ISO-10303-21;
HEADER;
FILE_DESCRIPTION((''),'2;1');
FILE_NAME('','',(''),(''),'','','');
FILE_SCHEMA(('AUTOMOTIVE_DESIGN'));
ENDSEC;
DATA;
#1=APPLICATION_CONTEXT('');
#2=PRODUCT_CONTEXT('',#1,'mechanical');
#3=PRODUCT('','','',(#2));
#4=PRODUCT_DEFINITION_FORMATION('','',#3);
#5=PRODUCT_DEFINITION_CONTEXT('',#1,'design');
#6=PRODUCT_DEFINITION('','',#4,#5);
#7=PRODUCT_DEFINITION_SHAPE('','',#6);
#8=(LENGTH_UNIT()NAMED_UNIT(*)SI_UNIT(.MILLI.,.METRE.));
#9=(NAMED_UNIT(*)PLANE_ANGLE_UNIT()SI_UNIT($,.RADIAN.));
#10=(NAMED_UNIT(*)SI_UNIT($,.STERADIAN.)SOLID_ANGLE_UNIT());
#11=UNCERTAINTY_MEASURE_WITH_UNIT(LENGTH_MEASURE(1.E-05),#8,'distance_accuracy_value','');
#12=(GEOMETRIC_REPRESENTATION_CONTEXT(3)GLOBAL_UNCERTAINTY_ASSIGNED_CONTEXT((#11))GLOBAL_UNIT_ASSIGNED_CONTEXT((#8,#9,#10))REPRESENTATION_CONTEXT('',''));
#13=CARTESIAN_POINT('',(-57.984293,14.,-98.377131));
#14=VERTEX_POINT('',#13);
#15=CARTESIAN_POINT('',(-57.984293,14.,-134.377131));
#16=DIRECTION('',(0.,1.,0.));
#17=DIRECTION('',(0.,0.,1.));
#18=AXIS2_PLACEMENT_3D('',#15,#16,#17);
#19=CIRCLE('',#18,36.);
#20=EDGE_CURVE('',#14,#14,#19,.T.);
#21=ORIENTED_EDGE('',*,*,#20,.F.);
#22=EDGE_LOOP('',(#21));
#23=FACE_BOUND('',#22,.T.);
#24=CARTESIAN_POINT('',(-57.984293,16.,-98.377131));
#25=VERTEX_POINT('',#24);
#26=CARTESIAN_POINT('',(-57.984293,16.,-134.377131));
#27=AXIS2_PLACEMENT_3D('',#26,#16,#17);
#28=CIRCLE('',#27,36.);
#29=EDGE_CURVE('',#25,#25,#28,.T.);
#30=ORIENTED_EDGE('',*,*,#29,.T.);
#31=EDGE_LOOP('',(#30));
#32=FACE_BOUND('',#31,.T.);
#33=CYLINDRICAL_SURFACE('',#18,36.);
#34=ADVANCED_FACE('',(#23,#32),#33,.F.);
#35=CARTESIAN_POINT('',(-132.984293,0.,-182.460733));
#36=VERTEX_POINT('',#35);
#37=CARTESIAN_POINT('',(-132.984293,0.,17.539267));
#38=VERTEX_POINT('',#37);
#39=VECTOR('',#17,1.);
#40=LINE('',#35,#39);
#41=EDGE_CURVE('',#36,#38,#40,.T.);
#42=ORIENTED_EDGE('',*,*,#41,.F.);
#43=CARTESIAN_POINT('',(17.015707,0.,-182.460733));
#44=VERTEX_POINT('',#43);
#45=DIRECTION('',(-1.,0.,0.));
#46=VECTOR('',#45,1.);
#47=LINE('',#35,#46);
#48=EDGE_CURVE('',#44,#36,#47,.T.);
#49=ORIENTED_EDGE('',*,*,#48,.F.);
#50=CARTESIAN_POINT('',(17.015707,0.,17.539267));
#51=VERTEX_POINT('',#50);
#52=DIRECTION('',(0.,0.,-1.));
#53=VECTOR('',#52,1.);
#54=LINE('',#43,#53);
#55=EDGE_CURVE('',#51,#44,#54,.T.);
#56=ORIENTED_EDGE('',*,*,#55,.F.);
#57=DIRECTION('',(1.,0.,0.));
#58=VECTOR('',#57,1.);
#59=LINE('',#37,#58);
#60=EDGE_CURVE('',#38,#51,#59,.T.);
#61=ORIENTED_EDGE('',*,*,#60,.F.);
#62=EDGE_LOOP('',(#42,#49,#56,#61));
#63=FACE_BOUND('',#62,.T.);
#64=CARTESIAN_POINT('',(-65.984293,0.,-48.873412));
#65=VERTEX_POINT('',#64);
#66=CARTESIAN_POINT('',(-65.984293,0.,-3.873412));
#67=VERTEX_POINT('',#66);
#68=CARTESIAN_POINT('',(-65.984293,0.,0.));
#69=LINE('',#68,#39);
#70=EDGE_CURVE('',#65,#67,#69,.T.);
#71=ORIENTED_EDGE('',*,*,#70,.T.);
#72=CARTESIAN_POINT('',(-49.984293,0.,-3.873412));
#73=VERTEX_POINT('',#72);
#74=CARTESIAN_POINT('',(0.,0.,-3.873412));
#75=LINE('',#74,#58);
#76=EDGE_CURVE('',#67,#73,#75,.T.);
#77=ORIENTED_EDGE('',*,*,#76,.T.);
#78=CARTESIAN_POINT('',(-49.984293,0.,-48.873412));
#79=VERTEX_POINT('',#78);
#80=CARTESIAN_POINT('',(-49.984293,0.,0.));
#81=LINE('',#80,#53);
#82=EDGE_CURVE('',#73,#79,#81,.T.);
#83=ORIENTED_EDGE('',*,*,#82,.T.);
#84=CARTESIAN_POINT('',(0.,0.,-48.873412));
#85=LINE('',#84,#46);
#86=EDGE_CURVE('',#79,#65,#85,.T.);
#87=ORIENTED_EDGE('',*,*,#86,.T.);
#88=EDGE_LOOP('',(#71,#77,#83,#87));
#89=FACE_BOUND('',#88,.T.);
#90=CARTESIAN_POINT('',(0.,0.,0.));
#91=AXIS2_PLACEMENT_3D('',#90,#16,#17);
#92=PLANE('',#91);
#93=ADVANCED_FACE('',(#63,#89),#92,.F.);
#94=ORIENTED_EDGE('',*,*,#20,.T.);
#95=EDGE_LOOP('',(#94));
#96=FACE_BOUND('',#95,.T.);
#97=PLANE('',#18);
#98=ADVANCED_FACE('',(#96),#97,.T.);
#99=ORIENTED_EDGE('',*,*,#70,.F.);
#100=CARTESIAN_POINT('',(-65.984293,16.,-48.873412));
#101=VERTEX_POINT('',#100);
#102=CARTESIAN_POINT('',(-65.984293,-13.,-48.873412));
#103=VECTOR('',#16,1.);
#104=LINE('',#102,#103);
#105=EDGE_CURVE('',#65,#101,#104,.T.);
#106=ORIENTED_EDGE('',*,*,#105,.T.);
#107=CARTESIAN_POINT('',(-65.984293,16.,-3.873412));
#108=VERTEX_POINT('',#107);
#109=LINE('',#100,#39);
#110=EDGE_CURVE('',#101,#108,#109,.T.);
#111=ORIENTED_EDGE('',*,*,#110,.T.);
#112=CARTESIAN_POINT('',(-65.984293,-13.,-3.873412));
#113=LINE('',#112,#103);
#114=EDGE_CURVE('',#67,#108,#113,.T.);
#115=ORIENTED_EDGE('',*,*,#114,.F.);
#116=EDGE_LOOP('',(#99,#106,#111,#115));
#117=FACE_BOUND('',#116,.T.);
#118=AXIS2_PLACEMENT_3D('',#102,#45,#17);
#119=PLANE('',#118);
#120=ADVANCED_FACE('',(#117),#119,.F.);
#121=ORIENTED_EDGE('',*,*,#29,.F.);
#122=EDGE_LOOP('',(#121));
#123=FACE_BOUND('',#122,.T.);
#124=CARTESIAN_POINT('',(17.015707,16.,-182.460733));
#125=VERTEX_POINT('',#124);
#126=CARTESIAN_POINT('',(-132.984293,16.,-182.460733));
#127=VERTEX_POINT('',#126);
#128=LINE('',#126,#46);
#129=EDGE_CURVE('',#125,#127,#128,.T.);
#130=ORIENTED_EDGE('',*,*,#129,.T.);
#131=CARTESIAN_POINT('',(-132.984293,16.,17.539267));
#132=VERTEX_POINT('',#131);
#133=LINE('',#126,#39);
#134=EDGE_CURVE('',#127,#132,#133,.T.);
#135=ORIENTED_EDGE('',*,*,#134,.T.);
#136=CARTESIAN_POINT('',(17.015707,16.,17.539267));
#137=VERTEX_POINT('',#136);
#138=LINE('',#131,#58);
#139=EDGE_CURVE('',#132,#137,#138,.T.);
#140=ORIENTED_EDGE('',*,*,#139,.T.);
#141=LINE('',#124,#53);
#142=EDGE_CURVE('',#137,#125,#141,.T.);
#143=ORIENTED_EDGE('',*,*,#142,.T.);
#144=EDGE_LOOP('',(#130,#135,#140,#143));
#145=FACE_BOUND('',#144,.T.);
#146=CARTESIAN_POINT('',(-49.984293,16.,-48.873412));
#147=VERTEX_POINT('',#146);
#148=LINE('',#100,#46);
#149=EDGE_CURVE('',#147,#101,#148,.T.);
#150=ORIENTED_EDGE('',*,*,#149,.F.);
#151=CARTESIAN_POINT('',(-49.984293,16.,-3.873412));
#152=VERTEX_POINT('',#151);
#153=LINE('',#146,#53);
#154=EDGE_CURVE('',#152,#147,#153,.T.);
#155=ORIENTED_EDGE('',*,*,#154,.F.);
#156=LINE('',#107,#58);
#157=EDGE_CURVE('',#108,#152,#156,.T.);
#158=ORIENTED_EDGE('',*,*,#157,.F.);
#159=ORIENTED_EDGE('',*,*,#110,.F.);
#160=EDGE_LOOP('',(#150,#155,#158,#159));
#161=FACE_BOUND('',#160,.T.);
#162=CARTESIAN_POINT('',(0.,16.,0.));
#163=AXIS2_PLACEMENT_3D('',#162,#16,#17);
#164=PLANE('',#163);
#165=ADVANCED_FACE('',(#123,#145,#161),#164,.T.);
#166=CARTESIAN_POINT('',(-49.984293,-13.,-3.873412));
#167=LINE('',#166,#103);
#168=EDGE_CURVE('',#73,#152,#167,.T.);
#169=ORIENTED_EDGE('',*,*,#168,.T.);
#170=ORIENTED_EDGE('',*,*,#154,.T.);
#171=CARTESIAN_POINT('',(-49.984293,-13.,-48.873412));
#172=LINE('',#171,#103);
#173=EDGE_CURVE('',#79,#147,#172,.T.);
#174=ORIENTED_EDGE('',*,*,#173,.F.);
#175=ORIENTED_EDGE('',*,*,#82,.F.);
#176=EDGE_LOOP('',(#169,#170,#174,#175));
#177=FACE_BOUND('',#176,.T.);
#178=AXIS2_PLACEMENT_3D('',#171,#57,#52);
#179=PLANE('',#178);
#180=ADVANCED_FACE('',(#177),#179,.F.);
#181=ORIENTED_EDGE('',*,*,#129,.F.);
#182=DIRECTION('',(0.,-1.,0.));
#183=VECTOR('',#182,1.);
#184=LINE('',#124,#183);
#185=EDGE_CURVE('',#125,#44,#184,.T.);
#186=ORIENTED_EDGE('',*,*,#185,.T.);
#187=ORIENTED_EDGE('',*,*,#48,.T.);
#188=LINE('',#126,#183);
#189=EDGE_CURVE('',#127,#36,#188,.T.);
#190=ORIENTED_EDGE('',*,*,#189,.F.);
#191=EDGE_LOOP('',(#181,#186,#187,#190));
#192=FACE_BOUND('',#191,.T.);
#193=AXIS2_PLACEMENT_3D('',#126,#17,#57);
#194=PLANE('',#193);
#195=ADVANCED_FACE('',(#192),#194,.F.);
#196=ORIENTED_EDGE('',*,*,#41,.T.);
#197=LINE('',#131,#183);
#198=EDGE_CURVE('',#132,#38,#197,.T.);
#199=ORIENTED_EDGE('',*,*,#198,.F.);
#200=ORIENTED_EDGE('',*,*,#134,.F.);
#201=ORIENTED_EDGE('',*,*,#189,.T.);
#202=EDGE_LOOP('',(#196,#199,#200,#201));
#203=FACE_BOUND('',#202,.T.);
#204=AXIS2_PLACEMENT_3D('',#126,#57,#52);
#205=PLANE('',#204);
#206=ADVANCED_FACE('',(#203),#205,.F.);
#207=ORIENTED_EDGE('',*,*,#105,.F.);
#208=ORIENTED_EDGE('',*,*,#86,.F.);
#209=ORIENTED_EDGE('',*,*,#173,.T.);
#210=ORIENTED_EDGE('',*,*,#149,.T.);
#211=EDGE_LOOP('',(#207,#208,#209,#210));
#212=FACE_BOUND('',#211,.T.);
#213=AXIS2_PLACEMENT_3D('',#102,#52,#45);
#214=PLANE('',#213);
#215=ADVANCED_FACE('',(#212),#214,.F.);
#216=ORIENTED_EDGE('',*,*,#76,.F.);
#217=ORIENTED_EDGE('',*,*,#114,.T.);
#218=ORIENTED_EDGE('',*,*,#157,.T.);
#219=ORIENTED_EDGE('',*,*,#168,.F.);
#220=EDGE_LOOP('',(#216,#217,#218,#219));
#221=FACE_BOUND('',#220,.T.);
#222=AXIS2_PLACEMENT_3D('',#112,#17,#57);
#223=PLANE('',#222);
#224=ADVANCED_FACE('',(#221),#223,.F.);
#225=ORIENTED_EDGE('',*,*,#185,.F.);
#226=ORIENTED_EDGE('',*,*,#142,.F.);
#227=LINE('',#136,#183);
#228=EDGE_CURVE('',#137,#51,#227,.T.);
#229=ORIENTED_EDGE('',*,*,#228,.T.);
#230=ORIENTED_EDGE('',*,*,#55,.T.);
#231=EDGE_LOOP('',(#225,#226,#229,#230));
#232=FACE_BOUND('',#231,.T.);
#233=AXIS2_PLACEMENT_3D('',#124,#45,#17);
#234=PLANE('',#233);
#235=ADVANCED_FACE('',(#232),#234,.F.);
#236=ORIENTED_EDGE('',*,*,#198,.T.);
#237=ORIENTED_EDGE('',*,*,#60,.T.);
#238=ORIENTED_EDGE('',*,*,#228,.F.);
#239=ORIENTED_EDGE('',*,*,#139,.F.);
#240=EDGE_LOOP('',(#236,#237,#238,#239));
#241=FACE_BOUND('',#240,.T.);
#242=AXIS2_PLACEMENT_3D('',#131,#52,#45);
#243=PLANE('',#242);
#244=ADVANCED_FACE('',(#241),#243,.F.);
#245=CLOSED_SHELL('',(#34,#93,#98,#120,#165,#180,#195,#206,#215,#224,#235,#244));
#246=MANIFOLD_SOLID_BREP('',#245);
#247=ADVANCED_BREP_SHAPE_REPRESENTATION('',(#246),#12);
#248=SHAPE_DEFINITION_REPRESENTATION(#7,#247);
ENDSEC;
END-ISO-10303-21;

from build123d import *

# Parameters (mm, degrees)
IZIM1_W                     = 150
IZIM1_H                     = 200
Y_KSEKLIK_EKSTR_ZYON1_DEPTH = 16
IZIM2_W                     = 16
IZIM2_H                     = 45
KES_EKSTR_ZYON1_DEPTH       = 29
IZIM3_R                     = 36
KES_EKSTR_ZYON3_DEPTH       = 2


with BuildPart() as part:
    # Çizim1 → Yükseklik-Ekstrüzyon1 (new body)
    with BuildSketch(Plane(origin=(0, 0, 0), x_dir=(1, 0, 0), z_dir=(0, 1, 0))):
        with Locations((-57.984293194, 82.460732984)):
            Rectangle(IZIM1_W, IZIM1_H)
    extrude(amount=Y_KSEKLIK_EKSTR_ZYON1_DEPTH)

    # Çizim2 → Kes-Ekstrüzyon1 (cut)
    with BuildSketch(Plane(origin=(0, 16, 0), x_dir=(1, 0, 0), z_dir=(0, 1, 0))):
        with Locations((-57.984293194, 26.373411694)):
            Rectangle(IZIM2_W, IZIM2_H)
    extrude(amount=-KES_EKSTR_ZYON1_DEPTH, mode=Mode.SUBTRACT)

    # Çizim3 → Kes-Ekstrüzyon3 (cut)
    with BuildSketch(Plane(origin=(0, 16, 0), x_dir=(1, 0, 0), z_dir=(0, 1, 0))):
        with Locations(Location((-57.984293194, 134.377130507, 0), (0, 0, 270))):
            Circle(IZIM3_R)
    extrude(amount=-KES_EKSTR_ZYON3_DEPTH, mode=Mode.SUBTRACT)


solid = part.part
